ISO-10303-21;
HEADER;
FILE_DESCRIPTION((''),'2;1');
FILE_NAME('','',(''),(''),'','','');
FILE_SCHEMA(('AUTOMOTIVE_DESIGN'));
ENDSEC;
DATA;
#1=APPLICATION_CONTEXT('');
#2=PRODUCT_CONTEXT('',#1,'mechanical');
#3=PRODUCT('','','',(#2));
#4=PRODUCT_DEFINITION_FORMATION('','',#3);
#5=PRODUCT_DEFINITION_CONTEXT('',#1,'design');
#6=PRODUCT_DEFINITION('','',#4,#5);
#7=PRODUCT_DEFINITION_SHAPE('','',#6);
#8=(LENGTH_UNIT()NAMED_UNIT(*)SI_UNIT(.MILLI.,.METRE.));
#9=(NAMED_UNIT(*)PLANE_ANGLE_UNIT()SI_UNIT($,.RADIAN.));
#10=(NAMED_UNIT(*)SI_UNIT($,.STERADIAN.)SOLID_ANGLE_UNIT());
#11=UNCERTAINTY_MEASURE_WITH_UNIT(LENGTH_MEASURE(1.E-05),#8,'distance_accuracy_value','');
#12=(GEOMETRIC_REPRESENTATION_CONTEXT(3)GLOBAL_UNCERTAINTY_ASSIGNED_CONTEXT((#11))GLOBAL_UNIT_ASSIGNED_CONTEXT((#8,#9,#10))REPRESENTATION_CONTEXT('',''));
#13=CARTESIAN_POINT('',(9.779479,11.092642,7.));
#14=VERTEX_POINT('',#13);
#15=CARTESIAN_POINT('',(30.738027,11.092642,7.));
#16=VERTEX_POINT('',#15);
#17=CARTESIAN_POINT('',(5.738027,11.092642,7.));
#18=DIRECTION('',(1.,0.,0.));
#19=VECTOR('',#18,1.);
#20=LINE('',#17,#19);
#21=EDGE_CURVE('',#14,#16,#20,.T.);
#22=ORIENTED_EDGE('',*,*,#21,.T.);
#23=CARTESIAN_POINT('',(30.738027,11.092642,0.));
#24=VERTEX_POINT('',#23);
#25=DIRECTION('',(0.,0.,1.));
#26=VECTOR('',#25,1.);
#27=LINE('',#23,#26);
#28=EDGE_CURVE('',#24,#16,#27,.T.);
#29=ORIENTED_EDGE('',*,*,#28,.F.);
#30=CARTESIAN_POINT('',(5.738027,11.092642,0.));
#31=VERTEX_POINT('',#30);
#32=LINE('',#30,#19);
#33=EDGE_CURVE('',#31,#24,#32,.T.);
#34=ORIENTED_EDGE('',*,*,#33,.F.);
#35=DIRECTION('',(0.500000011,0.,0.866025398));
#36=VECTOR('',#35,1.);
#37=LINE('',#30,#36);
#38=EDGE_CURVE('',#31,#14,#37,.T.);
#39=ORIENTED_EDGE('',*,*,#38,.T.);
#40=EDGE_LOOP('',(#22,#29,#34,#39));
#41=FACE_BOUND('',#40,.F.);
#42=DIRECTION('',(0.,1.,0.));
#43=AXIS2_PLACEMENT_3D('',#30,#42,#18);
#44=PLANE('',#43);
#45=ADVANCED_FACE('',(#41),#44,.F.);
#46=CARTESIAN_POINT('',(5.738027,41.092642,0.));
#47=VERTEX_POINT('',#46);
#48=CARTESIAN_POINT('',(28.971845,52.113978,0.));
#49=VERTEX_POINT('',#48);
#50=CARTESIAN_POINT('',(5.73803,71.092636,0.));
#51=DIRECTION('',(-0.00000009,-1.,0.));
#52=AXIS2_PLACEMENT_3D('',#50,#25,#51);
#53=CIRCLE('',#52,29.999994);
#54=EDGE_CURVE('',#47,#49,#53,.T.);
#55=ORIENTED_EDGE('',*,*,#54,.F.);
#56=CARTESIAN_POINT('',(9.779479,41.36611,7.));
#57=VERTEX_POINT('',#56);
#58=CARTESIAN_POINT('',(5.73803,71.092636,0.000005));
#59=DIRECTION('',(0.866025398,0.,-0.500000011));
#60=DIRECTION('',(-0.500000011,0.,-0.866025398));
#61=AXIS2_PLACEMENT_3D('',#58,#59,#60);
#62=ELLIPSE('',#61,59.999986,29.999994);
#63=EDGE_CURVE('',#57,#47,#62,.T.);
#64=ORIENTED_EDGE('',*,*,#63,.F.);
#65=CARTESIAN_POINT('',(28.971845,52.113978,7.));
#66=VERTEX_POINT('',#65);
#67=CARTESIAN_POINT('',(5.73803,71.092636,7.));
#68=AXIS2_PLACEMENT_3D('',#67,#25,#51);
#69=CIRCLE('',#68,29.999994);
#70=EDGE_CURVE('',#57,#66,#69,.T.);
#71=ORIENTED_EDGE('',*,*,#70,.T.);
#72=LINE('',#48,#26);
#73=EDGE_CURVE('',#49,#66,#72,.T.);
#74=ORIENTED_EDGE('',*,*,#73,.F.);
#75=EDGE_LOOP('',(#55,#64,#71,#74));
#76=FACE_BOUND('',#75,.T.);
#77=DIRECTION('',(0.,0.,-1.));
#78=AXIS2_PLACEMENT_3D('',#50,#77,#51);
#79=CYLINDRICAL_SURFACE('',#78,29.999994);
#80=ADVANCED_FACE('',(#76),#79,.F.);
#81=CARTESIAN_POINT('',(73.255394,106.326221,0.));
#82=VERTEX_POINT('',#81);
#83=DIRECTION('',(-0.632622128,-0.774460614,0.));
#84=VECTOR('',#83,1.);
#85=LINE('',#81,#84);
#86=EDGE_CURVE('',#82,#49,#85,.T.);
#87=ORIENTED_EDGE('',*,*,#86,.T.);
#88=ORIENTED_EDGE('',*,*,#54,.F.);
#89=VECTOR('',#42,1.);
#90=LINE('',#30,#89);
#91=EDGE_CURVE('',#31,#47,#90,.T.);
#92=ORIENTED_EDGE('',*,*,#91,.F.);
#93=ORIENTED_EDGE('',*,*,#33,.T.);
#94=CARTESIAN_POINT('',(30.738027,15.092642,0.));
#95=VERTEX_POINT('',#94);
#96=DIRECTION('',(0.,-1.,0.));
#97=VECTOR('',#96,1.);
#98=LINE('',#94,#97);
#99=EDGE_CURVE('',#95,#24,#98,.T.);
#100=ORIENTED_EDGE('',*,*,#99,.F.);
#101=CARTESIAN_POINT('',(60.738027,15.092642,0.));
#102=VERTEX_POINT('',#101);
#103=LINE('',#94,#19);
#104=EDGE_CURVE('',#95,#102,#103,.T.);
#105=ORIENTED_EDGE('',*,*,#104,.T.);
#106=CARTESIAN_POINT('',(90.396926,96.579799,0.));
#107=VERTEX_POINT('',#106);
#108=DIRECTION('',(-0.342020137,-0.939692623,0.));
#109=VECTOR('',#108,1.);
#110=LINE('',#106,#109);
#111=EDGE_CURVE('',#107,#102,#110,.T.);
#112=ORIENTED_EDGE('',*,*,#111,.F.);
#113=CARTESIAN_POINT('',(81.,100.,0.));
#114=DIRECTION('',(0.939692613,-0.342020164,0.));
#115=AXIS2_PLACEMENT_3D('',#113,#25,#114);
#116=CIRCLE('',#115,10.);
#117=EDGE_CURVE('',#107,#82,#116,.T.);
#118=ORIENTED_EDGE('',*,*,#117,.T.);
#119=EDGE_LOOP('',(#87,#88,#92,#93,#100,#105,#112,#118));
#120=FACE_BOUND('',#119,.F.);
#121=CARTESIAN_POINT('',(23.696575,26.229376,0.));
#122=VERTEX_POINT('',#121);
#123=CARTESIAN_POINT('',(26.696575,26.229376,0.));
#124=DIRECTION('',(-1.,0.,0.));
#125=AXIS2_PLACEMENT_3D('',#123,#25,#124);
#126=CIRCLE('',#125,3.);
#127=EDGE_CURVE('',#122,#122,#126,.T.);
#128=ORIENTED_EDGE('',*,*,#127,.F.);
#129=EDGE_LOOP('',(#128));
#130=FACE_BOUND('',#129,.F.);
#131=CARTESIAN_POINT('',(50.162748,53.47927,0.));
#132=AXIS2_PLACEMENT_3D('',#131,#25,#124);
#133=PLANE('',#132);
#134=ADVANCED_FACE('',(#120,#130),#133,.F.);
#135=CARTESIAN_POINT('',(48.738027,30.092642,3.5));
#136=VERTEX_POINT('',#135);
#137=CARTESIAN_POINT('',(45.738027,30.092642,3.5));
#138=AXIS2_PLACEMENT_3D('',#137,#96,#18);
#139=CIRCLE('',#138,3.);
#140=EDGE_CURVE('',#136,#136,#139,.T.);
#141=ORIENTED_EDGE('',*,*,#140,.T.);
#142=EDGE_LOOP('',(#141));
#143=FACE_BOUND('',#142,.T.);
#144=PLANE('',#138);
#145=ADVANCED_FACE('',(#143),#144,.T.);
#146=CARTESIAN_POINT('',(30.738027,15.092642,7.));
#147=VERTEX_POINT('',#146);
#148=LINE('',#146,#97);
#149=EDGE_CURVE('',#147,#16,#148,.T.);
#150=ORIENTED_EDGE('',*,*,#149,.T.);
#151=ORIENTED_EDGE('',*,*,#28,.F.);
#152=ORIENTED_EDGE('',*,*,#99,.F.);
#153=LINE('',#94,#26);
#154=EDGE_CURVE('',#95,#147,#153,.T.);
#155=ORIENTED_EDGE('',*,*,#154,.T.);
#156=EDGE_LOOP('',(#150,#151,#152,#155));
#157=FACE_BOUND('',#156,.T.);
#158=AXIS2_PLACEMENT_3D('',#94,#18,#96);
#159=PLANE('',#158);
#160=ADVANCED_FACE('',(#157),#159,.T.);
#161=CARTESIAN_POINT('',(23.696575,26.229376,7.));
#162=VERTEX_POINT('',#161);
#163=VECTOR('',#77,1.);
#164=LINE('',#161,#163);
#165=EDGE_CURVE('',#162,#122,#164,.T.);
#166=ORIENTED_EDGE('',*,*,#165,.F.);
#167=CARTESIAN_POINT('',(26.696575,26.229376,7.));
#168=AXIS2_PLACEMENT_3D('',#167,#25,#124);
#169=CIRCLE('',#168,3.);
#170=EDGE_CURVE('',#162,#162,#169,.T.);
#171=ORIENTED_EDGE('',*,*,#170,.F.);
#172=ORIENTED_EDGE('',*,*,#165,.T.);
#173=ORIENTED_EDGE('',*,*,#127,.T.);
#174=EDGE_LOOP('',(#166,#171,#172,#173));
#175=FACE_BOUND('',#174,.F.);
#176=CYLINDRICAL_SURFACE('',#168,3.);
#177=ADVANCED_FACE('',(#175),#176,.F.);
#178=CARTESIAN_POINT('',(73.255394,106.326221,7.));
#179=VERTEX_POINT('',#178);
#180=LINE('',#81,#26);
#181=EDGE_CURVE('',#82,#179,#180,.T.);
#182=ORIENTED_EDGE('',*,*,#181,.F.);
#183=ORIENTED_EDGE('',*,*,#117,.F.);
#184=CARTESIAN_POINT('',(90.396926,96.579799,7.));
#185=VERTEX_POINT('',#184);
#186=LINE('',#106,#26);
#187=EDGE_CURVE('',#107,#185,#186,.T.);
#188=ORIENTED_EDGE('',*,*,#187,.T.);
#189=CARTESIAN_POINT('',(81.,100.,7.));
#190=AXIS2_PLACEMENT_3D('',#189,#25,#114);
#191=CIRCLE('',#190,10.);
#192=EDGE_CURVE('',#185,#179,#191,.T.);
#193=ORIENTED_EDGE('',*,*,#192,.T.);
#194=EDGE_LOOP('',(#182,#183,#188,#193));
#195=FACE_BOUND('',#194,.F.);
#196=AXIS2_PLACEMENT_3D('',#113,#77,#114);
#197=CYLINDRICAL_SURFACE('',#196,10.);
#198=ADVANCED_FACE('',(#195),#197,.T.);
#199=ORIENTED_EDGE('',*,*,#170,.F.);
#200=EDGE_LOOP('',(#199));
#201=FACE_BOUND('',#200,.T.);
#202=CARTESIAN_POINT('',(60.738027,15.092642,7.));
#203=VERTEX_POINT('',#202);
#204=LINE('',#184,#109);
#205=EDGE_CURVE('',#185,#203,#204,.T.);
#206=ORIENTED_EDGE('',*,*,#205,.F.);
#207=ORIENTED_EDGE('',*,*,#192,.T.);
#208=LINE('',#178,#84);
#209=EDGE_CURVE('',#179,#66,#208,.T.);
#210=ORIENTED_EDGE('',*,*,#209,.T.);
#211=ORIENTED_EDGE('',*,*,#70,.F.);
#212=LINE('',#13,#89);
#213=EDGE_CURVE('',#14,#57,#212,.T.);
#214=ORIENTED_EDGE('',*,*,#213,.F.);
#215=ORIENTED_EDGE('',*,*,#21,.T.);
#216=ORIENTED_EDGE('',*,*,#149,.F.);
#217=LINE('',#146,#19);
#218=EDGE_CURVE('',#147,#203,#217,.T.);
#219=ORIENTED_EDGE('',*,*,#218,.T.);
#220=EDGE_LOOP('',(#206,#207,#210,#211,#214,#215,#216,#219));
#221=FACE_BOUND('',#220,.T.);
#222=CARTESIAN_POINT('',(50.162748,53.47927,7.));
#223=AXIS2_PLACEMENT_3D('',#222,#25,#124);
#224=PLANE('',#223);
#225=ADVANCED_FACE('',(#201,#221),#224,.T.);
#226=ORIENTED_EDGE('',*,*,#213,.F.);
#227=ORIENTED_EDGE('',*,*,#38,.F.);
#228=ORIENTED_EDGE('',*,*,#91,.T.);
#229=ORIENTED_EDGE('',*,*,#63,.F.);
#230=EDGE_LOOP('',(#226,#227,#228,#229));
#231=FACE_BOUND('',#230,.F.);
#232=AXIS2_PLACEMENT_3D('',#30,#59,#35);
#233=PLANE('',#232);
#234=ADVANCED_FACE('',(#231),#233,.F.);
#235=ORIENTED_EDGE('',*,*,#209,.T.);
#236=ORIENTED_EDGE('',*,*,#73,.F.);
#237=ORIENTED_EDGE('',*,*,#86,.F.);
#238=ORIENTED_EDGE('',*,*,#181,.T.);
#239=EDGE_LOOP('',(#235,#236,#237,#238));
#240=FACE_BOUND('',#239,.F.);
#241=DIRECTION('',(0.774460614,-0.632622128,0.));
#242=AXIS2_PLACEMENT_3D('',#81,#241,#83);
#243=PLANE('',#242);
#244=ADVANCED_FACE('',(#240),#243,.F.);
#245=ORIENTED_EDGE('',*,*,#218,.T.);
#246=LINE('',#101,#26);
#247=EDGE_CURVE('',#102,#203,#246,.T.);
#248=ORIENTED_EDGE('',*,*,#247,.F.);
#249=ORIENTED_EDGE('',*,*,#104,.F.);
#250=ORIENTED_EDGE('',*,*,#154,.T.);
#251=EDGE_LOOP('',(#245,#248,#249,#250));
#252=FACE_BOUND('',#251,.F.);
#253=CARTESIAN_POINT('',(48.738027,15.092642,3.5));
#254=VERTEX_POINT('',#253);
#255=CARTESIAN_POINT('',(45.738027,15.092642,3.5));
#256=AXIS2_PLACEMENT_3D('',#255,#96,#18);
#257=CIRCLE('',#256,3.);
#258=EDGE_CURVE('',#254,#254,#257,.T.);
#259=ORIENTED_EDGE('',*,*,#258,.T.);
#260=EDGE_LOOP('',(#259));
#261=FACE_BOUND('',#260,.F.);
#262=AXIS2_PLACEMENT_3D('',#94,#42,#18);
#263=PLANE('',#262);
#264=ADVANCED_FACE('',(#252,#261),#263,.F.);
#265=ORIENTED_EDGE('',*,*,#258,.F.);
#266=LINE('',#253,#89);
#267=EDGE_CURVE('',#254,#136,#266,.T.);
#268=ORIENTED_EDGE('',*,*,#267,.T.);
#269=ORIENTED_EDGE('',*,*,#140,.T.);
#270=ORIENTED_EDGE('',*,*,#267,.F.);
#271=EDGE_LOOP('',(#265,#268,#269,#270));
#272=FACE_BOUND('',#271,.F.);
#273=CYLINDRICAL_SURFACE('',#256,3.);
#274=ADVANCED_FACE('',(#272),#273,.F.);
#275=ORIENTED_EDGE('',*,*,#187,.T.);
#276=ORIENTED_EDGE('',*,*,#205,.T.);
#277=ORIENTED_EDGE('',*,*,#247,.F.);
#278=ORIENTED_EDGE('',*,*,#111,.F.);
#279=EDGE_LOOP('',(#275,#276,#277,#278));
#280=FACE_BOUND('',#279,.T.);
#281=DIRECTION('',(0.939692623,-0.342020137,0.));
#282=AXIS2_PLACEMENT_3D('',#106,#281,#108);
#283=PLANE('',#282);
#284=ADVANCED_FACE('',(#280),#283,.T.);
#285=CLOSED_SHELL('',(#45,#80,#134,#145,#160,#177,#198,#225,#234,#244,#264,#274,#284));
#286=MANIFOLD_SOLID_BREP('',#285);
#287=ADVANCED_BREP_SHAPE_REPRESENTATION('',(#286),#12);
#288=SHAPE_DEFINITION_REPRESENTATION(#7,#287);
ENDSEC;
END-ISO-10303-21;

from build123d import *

# Parameters (mm, degrees)
PAD002_DEPTH             = 7
SKETCH025_R              = 3
POCKET018_DEPTH          = 15
POCKET019_DEPTH          = 98.908358
SKETCH028_R              = 3
POCKET021_DEPTH          = 7.001
CLONE003_PLACEMENT_ANGLE = 180


with BuildPart() as part:
    # Sketch023 → Pad002 (new body)
    with BuildSketch(Plane.XY):
        with BuildLine():
            Line((75.261973, 88.907358), (50.261973, 88.907358))
            Line((50.261973, 84.907358), (50.261973, 88.907358))
            Line((50.261973, 84.907358), (20.261973, 84.907358))
            Line((-9.396926, 3.420201), (20.261973, 84.907358))
            ThreePointArc((-9.396926, 3.420201), (-4.942745, -8.693059), (7.744606, -6.326221))
            Line((7.744606, -6.326221), (52.028155, 47.886022))
            ThreePointArc((75.261973, 58.907358), (62.404289, 56.012339), (52.028155, 47.886022))
            Line((75.261973, 88.907358), (75.261973, 58.907358))
        make_face()
    extrude(amount=PAD002_DEPTH)

    # Sketch025 (on Face4 of Pad002) → Pocket018 (cut)
    with BuildSketch(Plane(origin=(0, 84.907358, 0), x_dir=(-1, 0, 0), z_dir=(0, 1, 0))):
        with Locations((-35.261973, 3.5)):
            Circle(SKETCH025_R)
    extrude(amount=-POCKET018_DEPTH, mode=Mode.SUBTRACT)

    # Sketch026 (on Face2 of Pocket018) → Pocket019 (cut, through all)
    with BuildSketch(Plane(origin=(0, 88.907358, 0), x_dir=(-1, 0, 0), z_dir=(0, 1, 0))):
        Polygon((-75.261973, 7), (-75.261973, 0), (-71.220521, 7), align=None)
    extrude(amount=-POCKET019_DEPTH, mode=Mode.SUBTRACT)

    # Sketch028 → Pocket021 (cut, through all)
    with BuildSketch(Plane.XY.offset(7)):
        with Locations((54.303425, 73.770624)):
            Circle(SKETCH028_R)
    extrude(amount=-POCKET021_DEPTH, mode=Mode.SUBTRACT)


with BuildPart() as part_1:
    # Body002 placement: moved
    add(part.part.moved(Location((-250, 0, 0))))


with BuildPart() as part_2:
    # Clone003 placement: moved
    add(part_1.part.moved(Location((-169, 100, 0))).rotate(Axis((-169, 100, 0), (0, 0, 1)), CLONE003_PLACEMENT_ANGLE))


solid = part_2.part
